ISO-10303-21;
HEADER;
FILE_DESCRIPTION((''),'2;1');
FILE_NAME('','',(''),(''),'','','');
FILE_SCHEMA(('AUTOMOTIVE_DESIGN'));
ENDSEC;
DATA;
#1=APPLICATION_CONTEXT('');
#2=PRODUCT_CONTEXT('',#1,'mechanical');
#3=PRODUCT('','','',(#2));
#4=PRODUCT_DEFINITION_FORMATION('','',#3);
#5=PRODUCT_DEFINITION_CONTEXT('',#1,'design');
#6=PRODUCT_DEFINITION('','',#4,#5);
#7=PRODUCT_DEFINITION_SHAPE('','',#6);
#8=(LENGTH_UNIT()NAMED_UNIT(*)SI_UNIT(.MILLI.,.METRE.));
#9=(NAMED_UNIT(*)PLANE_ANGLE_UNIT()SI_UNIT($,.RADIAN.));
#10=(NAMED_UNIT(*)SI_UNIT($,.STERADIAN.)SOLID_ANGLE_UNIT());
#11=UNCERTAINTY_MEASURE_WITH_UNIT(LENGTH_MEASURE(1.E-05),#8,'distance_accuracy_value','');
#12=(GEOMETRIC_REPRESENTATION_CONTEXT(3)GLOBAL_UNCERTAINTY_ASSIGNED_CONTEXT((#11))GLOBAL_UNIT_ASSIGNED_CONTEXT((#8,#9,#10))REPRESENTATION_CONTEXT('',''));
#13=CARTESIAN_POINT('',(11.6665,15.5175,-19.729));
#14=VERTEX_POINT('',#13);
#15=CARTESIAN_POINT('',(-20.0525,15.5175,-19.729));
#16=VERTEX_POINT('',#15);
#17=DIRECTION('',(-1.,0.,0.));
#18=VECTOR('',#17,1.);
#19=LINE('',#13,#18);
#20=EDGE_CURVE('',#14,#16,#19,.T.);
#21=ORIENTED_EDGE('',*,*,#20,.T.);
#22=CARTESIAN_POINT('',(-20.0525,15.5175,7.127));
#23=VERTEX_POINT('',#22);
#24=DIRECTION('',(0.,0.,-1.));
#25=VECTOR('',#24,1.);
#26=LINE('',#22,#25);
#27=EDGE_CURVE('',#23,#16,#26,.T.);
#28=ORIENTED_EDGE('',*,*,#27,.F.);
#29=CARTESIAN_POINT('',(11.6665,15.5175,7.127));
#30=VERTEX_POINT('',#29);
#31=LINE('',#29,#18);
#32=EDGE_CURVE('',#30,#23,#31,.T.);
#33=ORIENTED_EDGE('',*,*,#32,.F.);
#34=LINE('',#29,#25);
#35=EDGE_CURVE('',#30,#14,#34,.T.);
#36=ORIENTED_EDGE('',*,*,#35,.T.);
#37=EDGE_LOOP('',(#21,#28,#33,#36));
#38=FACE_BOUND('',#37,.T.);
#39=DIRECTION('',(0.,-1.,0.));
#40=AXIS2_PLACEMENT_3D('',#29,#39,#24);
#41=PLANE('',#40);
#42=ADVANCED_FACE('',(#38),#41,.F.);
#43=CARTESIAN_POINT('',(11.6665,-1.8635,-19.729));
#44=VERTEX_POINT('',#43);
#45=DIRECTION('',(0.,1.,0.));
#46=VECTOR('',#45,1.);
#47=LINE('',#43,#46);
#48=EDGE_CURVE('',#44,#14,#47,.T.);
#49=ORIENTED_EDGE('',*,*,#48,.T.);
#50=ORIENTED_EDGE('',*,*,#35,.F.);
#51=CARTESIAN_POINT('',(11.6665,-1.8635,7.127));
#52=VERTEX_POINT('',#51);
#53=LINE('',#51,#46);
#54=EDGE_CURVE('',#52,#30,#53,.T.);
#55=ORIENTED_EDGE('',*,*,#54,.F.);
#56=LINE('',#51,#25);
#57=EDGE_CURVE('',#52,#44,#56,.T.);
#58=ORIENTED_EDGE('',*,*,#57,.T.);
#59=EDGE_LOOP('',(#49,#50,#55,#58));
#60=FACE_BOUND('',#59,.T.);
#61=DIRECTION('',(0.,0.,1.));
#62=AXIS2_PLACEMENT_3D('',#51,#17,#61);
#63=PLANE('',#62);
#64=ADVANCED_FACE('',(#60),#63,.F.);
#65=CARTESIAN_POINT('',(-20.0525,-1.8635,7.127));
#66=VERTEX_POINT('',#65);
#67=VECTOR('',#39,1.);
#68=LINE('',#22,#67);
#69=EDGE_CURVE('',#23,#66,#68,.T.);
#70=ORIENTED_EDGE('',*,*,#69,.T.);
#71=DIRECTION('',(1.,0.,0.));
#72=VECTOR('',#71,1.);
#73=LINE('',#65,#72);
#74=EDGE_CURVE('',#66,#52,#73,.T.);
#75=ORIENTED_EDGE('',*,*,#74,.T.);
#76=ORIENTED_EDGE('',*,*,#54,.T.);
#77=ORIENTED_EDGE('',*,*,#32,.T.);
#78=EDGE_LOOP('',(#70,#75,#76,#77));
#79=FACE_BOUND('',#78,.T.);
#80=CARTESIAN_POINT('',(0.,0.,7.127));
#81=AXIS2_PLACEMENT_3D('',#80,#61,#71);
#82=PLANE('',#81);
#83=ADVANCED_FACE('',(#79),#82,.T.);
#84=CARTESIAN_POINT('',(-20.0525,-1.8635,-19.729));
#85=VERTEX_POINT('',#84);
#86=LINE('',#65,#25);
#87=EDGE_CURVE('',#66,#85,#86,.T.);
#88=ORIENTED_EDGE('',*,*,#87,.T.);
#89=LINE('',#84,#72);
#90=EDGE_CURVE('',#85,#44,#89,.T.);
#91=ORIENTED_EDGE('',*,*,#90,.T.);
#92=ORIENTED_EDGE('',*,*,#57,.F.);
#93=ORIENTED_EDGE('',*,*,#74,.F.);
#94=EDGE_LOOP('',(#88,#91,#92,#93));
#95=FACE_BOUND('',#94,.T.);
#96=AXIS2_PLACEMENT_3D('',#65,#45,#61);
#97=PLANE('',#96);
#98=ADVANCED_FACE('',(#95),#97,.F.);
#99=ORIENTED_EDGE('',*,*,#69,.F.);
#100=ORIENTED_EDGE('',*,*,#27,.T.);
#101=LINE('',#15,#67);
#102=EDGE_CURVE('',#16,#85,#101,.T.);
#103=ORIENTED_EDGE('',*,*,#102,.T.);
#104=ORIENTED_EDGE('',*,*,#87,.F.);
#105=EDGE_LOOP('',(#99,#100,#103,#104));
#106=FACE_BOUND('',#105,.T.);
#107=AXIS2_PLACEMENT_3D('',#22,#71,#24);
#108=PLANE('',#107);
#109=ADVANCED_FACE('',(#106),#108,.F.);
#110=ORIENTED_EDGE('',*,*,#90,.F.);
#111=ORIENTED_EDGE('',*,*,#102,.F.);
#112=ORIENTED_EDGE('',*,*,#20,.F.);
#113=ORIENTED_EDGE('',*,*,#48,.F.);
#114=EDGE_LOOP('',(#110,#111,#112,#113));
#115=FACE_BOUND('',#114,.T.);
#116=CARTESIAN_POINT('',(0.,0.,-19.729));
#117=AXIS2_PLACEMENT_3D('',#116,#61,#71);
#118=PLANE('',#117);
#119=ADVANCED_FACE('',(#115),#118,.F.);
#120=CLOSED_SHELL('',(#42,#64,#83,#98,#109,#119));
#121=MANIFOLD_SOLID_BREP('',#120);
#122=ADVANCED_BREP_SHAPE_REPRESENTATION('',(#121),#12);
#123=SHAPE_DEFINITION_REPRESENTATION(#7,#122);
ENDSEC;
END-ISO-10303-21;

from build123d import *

# Parameters (mm, degrees)
CURVEBOSS_DEPTH      = 7.127
CURVEBOSS_DEPTH_BACK = 19.729
CURVESKETCH_W        = 31.719
CURVESKETCH_H        = 17.381


with BuildPart() as part:
    # CurveSketch → CurveBoss (new, two sides: drawn at the far end of the back side and taken through both)
    with BuildSketch(Plane.XY.offset(-CURVEBOSS_DEPTH_BACK)):
        with Locations((-4.193, 6.827)):
            Rectangle(CURVESKETCH_W, CURVESKETCH_H)
    extrude(amount=CURVEBOSS_DEPTH + CURVEBOSS_DEPTH_BACK)


solid = part.part
